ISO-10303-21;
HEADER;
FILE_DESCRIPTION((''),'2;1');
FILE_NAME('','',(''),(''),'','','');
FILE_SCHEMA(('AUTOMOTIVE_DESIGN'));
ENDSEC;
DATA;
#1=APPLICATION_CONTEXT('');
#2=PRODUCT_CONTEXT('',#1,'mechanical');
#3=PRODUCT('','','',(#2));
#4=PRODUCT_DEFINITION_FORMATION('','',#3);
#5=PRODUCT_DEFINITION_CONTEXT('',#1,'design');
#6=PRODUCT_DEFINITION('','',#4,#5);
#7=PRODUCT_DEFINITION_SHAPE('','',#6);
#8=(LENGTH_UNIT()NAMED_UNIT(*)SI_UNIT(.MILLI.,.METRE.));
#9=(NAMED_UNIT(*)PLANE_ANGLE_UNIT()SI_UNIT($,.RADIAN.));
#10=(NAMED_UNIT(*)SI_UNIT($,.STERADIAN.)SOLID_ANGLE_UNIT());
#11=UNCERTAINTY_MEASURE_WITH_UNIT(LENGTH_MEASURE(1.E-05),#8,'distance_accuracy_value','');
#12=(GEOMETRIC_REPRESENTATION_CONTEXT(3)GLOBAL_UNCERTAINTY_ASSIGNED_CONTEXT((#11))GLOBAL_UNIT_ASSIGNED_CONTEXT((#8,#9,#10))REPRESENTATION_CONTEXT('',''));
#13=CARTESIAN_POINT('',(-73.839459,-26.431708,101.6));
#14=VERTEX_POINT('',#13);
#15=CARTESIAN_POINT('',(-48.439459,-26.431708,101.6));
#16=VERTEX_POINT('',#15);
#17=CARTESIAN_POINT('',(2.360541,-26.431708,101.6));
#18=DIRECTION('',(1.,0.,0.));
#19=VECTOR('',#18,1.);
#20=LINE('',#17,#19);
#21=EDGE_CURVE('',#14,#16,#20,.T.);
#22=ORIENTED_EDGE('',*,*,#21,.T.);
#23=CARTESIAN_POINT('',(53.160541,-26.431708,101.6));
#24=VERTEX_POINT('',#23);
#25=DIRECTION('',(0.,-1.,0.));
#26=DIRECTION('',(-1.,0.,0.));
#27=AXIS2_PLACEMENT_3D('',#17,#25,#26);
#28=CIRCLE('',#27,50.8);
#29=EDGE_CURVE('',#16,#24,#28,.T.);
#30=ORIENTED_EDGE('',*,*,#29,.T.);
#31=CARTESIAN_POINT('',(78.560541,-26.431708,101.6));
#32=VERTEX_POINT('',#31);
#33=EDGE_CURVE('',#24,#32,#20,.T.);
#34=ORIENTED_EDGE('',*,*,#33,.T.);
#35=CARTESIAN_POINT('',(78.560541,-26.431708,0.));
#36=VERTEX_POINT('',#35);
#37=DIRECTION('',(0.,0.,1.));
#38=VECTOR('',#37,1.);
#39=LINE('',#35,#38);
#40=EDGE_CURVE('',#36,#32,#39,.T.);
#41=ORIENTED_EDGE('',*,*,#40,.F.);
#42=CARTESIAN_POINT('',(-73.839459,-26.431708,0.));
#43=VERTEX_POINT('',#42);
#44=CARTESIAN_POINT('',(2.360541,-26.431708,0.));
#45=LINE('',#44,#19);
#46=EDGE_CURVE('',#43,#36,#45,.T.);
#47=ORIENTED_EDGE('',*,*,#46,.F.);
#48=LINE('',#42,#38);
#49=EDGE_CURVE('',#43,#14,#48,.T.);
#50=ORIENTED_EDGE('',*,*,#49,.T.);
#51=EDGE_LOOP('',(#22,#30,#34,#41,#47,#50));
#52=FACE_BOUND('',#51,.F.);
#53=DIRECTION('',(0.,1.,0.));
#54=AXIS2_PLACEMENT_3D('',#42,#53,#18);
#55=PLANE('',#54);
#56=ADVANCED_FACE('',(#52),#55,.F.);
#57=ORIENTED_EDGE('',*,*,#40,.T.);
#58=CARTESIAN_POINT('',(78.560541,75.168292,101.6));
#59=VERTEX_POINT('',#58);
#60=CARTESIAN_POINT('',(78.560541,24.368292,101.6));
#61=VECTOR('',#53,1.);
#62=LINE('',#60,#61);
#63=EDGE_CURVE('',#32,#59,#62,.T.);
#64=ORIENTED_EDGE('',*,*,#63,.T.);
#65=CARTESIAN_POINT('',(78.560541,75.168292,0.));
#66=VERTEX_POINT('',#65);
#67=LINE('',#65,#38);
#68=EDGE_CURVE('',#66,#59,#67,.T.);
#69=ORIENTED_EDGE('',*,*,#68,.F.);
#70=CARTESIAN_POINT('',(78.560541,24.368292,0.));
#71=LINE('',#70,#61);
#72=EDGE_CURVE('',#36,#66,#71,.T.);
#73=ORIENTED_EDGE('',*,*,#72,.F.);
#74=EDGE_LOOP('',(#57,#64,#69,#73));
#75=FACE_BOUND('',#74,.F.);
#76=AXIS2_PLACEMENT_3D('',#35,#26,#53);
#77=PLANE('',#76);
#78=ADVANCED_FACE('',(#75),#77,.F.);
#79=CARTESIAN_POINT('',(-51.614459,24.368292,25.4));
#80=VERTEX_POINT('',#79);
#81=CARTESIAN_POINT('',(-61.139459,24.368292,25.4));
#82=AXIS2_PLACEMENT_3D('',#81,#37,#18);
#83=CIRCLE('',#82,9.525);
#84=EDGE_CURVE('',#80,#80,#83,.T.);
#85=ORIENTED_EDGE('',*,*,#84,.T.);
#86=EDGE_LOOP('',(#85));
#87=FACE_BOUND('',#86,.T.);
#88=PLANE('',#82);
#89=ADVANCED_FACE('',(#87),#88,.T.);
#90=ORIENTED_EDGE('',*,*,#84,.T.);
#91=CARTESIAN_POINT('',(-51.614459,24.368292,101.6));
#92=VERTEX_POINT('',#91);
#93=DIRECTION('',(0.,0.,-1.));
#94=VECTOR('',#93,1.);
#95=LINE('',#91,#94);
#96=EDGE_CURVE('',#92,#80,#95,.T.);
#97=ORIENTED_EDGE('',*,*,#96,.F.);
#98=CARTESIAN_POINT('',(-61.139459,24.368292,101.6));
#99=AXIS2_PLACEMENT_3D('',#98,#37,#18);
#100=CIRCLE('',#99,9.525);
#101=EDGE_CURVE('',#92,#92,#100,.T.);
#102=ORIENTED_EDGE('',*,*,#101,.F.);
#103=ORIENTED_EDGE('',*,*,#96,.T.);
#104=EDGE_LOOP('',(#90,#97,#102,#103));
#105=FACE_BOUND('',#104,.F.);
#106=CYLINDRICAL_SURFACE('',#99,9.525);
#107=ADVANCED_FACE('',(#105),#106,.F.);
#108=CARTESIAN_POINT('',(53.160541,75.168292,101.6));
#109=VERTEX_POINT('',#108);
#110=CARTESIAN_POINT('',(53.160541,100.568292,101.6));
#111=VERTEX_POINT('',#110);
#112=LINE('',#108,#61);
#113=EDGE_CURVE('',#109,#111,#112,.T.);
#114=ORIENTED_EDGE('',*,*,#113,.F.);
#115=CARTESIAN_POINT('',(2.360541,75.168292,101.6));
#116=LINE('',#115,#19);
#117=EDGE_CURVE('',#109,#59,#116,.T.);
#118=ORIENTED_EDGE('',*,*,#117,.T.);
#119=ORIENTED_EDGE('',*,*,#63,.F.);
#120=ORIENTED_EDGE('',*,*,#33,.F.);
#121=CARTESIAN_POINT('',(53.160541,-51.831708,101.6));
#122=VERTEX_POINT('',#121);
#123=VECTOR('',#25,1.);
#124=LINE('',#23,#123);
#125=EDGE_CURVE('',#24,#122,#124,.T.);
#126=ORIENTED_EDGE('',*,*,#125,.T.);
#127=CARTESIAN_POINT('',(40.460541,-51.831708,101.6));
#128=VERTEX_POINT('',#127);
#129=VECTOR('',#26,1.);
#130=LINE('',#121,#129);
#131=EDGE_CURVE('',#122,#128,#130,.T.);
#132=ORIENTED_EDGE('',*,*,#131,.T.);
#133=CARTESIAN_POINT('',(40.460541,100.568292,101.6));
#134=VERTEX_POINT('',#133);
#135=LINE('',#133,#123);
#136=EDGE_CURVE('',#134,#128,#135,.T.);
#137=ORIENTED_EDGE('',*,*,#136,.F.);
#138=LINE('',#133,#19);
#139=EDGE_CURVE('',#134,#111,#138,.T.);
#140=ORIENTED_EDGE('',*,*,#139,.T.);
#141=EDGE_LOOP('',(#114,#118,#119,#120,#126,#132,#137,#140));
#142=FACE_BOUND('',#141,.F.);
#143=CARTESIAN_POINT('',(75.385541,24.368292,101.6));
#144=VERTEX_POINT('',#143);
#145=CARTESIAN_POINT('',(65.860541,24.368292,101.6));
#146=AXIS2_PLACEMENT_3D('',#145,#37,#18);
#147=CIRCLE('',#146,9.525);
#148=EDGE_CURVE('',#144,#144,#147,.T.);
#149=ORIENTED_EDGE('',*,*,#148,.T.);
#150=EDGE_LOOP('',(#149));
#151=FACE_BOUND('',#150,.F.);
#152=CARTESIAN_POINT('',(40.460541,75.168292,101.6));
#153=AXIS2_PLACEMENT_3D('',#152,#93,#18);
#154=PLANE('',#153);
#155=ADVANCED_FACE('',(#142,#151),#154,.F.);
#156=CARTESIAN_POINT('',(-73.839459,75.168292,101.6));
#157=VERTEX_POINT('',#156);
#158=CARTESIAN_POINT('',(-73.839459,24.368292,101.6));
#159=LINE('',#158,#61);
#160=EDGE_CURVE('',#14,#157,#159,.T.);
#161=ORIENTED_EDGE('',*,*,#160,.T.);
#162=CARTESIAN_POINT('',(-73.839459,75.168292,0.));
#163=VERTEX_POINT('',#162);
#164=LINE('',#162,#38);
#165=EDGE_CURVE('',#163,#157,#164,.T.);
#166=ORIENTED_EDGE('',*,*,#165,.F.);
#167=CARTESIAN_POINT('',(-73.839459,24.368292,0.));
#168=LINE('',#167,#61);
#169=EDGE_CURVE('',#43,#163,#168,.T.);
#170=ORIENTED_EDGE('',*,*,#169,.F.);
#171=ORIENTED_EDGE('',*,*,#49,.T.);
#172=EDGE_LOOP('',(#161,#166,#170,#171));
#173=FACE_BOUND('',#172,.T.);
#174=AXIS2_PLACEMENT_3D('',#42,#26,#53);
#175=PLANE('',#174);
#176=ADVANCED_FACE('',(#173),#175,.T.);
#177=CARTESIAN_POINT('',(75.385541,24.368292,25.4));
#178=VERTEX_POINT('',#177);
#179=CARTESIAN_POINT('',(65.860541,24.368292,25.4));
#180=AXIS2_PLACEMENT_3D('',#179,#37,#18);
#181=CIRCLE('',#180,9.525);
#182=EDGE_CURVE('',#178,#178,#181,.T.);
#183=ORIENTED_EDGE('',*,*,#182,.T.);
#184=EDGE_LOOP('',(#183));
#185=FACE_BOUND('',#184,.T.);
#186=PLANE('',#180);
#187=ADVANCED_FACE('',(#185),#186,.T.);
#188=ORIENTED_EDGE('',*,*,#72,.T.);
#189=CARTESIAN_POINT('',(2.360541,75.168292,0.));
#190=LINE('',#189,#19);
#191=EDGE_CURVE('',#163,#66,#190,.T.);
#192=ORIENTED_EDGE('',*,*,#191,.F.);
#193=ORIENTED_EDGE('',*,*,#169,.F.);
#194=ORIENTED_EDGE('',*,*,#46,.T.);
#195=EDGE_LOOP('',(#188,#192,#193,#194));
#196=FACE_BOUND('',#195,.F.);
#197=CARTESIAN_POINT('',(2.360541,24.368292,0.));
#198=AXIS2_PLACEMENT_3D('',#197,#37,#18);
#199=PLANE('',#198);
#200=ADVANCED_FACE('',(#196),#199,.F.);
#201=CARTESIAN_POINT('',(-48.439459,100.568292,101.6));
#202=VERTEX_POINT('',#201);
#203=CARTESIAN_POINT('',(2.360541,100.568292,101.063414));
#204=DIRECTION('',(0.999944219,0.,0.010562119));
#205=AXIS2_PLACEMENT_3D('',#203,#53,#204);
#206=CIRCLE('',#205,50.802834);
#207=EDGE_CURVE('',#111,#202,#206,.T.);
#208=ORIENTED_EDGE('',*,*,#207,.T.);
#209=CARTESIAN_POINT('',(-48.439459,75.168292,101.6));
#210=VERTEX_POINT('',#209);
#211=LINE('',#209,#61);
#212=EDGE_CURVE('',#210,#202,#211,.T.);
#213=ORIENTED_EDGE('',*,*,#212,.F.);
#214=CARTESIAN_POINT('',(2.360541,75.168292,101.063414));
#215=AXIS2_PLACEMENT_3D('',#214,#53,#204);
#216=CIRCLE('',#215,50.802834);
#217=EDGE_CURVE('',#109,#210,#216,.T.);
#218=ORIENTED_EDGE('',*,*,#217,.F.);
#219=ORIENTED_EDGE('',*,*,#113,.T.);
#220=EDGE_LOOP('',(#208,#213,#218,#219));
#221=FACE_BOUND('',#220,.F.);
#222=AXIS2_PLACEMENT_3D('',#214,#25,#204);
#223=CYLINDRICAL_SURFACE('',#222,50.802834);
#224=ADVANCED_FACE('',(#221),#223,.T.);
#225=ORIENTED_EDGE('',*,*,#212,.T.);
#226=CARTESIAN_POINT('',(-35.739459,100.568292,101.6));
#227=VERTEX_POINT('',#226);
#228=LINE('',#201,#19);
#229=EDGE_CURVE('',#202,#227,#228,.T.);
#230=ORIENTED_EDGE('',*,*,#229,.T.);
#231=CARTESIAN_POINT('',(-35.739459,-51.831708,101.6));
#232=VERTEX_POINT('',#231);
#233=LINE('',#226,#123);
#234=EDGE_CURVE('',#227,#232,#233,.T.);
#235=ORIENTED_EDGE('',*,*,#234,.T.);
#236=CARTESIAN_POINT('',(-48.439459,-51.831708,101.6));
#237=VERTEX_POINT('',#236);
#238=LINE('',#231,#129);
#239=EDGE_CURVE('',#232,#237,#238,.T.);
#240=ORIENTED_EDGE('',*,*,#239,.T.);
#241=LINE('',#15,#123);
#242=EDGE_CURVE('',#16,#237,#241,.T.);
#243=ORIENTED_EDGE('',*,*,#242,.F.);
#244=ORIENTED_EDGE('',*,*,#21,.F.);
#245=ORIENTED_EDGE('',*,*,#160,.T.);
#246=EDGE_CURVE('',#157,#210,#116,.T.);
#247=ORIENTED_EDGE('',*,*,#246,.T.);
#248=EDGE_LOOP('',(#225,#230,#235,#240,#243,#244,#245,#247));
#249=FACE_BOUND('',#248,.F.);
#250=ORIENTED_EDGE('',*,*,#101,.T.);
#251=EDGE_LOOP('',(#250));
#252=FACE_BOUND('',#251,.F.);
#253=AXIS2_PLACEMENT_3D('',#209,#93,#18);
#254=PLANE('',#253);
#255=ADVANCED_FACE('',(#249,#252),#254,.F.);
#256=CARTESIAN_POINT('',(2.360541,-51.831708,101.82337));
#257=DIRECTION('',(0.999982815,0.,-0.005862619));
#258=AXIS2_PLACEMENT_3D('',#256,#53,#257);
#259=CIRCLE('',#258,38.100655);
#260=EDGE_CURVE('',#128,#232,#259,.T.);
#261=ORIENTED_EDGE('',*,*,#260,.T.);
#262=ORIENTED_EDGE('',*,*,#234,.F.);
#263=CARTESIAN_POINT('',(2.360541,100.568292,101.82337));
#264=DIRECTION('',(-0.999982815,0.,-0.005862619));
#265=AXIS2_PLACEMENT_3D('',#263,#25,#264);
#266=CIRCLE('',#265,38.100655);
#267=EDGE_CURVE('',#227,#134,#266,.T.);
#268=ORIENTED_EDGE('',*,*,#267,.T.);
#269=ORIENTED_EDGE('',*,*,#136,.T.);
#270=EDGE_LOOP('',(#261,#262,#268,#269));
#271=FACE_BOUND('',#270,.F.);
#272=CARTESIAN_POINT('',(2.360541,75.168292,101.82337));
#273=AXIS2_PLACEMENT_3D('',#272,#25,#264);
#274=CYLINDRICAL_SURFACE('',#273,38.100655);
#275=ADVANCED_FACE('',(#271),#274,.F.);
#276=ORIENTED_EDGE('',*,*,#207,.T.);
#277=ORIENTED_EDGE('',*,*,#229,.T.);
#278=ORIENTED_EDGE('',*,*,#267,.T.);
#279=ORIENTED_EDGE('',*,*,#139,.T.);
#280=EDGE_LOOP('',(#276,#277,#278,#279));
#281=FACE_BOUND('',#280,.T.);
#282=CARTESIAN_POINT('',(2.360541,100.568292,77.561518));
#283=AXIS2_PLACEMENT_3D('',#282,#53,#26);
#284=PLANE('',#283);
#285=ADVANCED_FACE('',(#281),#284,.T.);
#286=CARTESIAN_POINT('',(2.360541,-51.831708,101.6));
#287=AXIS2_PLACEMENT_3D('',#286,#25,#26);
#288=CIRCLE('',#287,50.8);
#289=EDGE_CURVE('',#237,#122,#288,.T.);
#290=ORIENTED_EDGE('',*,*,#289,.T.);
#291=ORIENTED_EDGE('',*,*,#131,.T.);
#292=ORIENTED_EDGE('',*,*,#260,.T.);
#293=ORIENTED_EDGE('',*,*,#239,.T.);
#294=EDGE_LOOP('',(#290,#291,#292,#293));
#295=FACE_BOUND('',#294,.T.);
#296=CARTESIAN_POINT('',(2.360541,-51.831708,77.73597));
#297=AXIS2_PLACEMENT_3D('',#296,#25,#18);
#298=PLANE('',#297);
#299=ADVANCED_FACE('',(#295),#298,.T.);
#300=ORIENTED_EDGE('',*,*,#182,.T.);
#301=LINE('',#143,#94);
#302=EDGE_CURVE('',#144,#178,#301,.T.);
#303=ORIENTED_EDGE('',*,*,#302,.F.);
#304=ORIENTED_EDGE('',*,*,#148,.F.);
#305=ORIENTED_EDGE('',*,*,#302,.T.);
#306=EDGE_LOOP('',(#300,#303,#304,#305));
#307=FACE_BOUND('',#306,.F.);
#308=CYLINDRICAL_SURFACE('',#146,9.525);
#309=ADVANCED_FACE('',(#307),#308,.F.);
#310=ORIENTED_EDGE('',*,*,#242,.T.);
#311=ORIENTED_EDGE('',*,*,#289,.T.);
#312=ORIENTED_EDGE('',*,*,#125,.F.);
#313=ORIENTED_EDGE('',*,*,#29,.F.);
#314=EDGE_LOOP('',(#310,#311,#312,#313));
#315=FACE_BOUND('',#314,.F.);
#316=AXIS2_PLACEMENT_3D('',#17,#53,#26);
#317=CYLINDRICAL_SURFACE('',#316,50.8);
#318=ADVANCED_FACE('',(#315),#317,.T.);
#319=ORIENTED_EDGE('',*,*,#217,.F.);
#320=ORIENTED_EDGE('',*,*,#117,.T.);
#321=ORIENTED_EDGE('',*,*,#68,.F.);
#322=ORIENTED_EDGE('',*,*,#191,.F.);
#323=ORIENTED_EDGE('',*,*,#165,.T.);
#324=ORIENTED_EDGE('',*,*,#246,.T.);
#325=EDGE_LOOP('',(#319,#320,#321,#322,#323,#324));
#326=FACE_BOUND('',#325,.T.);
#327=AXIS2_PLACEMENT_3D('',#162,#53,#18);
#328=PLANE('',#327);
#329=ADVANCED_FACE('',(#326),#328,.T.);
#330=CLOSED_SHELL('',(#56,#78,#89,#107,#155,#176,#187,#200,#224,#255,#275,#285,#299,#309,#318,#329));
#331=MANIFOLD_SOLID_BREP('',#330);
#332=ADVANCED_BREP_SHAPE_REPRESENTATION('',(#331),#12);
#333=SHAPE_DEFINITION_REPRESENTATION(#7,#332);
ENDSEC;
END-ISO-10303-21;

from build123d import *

# Parameters (mm, degrees)
F0_W      = 152.4
F0_H      = 101.6
F1_DEPTH  = 101.6
F3_DEPTH  = 25.4
F4_DEPTH  = 128.27
F6_DEPTH  = 25.4
F7_R      = 9.525
F8_DEPTH  = 76.2
F9_R      = 9.525
F10_DEPTH = 76.2


with BuildPart() as f1:
    # F0 (on Top) → F1 (new body)
    with BuildSketch(Plane.XY):
        with Locations((2.3605413735, 24.3682915387)):
            Rectangle(F0_W, F0_H)
    extrude(amount=F1_DEPTH)

    # F2 (on face) → F3 (join)
    with BuildSketch(Plane.XZ.offset(26.4317084613)):
        with BuildLine():
            Line((-35.7394586265, 101.6), (-48.4394586265, 101.6))
            ThreePointArc((-48.4394586265, 101.6), (2.3605413735, 50.8), (53.1605413735, 101.6))
            Line((53.1605413735, 101.6), (40.4605413735, 101.6))
            ThreePointArc((40.4605413735, 101.6), (2.3605413735, 63.7227148693), (-35.7394586265, 101.6))
        make_face()
    extrude(amount=F3_DEPTH)

    # F4 (cut): a face of the model
    f4_faces = [f1.faces().sort_by_distance(p)[0] for p in [
        (2.3605413735, -26.4317084613, 85.532177983),
    ]]
    extrude(f4_faces, amount=-F4_DEPTH, mode=Mode.SUBTRACT)

    # F5 (on face) → F6 (join)
    with BuildSketch(Plane(origin=(0, 75.1682915387, 0), x_dir=(-1, 0, 0), z_dir=(0, 1, 0))):
        with BuildLine():
            Line((-40.4605413735, 101.6), (-53.1605413735, 101.6))
            ThreePointArc((-53.1605413735, 101.6), (-2.3605413735, 50.2605806131), (48.4394586265, 101.6))
            Line((48.4394586265, 101.6), (35.7394586265, 101.6))
            ThreePointArc((35.7394586265, 101.6), (-2.3605413735, 63.7227148693), (-40.4605413735, 101.6))
        make_face()
    extrude(amount=F6_DEPTH)

    # F7 (on face) → F8 (cut)
    with BuildSketch(Plane.XY.offset(101.6)):
        with Locations((-61.1394586265, 24.3682915387)):
            Circle(F7_R)
    extrude(amount=-F8_DEPTH, mode=Mode.SUBTRACT)

    # F9 (on face) → F10 (cut)
    with BuildSketch(Plane.XY.offset(101.6)):
        with Locations((65.8605413735, 24.3682915387)):
            Circle(F9_R)
    extrude(amount=-F10_DEPTH, mode=Mode.SUBTRACT)


solid = f1.part
